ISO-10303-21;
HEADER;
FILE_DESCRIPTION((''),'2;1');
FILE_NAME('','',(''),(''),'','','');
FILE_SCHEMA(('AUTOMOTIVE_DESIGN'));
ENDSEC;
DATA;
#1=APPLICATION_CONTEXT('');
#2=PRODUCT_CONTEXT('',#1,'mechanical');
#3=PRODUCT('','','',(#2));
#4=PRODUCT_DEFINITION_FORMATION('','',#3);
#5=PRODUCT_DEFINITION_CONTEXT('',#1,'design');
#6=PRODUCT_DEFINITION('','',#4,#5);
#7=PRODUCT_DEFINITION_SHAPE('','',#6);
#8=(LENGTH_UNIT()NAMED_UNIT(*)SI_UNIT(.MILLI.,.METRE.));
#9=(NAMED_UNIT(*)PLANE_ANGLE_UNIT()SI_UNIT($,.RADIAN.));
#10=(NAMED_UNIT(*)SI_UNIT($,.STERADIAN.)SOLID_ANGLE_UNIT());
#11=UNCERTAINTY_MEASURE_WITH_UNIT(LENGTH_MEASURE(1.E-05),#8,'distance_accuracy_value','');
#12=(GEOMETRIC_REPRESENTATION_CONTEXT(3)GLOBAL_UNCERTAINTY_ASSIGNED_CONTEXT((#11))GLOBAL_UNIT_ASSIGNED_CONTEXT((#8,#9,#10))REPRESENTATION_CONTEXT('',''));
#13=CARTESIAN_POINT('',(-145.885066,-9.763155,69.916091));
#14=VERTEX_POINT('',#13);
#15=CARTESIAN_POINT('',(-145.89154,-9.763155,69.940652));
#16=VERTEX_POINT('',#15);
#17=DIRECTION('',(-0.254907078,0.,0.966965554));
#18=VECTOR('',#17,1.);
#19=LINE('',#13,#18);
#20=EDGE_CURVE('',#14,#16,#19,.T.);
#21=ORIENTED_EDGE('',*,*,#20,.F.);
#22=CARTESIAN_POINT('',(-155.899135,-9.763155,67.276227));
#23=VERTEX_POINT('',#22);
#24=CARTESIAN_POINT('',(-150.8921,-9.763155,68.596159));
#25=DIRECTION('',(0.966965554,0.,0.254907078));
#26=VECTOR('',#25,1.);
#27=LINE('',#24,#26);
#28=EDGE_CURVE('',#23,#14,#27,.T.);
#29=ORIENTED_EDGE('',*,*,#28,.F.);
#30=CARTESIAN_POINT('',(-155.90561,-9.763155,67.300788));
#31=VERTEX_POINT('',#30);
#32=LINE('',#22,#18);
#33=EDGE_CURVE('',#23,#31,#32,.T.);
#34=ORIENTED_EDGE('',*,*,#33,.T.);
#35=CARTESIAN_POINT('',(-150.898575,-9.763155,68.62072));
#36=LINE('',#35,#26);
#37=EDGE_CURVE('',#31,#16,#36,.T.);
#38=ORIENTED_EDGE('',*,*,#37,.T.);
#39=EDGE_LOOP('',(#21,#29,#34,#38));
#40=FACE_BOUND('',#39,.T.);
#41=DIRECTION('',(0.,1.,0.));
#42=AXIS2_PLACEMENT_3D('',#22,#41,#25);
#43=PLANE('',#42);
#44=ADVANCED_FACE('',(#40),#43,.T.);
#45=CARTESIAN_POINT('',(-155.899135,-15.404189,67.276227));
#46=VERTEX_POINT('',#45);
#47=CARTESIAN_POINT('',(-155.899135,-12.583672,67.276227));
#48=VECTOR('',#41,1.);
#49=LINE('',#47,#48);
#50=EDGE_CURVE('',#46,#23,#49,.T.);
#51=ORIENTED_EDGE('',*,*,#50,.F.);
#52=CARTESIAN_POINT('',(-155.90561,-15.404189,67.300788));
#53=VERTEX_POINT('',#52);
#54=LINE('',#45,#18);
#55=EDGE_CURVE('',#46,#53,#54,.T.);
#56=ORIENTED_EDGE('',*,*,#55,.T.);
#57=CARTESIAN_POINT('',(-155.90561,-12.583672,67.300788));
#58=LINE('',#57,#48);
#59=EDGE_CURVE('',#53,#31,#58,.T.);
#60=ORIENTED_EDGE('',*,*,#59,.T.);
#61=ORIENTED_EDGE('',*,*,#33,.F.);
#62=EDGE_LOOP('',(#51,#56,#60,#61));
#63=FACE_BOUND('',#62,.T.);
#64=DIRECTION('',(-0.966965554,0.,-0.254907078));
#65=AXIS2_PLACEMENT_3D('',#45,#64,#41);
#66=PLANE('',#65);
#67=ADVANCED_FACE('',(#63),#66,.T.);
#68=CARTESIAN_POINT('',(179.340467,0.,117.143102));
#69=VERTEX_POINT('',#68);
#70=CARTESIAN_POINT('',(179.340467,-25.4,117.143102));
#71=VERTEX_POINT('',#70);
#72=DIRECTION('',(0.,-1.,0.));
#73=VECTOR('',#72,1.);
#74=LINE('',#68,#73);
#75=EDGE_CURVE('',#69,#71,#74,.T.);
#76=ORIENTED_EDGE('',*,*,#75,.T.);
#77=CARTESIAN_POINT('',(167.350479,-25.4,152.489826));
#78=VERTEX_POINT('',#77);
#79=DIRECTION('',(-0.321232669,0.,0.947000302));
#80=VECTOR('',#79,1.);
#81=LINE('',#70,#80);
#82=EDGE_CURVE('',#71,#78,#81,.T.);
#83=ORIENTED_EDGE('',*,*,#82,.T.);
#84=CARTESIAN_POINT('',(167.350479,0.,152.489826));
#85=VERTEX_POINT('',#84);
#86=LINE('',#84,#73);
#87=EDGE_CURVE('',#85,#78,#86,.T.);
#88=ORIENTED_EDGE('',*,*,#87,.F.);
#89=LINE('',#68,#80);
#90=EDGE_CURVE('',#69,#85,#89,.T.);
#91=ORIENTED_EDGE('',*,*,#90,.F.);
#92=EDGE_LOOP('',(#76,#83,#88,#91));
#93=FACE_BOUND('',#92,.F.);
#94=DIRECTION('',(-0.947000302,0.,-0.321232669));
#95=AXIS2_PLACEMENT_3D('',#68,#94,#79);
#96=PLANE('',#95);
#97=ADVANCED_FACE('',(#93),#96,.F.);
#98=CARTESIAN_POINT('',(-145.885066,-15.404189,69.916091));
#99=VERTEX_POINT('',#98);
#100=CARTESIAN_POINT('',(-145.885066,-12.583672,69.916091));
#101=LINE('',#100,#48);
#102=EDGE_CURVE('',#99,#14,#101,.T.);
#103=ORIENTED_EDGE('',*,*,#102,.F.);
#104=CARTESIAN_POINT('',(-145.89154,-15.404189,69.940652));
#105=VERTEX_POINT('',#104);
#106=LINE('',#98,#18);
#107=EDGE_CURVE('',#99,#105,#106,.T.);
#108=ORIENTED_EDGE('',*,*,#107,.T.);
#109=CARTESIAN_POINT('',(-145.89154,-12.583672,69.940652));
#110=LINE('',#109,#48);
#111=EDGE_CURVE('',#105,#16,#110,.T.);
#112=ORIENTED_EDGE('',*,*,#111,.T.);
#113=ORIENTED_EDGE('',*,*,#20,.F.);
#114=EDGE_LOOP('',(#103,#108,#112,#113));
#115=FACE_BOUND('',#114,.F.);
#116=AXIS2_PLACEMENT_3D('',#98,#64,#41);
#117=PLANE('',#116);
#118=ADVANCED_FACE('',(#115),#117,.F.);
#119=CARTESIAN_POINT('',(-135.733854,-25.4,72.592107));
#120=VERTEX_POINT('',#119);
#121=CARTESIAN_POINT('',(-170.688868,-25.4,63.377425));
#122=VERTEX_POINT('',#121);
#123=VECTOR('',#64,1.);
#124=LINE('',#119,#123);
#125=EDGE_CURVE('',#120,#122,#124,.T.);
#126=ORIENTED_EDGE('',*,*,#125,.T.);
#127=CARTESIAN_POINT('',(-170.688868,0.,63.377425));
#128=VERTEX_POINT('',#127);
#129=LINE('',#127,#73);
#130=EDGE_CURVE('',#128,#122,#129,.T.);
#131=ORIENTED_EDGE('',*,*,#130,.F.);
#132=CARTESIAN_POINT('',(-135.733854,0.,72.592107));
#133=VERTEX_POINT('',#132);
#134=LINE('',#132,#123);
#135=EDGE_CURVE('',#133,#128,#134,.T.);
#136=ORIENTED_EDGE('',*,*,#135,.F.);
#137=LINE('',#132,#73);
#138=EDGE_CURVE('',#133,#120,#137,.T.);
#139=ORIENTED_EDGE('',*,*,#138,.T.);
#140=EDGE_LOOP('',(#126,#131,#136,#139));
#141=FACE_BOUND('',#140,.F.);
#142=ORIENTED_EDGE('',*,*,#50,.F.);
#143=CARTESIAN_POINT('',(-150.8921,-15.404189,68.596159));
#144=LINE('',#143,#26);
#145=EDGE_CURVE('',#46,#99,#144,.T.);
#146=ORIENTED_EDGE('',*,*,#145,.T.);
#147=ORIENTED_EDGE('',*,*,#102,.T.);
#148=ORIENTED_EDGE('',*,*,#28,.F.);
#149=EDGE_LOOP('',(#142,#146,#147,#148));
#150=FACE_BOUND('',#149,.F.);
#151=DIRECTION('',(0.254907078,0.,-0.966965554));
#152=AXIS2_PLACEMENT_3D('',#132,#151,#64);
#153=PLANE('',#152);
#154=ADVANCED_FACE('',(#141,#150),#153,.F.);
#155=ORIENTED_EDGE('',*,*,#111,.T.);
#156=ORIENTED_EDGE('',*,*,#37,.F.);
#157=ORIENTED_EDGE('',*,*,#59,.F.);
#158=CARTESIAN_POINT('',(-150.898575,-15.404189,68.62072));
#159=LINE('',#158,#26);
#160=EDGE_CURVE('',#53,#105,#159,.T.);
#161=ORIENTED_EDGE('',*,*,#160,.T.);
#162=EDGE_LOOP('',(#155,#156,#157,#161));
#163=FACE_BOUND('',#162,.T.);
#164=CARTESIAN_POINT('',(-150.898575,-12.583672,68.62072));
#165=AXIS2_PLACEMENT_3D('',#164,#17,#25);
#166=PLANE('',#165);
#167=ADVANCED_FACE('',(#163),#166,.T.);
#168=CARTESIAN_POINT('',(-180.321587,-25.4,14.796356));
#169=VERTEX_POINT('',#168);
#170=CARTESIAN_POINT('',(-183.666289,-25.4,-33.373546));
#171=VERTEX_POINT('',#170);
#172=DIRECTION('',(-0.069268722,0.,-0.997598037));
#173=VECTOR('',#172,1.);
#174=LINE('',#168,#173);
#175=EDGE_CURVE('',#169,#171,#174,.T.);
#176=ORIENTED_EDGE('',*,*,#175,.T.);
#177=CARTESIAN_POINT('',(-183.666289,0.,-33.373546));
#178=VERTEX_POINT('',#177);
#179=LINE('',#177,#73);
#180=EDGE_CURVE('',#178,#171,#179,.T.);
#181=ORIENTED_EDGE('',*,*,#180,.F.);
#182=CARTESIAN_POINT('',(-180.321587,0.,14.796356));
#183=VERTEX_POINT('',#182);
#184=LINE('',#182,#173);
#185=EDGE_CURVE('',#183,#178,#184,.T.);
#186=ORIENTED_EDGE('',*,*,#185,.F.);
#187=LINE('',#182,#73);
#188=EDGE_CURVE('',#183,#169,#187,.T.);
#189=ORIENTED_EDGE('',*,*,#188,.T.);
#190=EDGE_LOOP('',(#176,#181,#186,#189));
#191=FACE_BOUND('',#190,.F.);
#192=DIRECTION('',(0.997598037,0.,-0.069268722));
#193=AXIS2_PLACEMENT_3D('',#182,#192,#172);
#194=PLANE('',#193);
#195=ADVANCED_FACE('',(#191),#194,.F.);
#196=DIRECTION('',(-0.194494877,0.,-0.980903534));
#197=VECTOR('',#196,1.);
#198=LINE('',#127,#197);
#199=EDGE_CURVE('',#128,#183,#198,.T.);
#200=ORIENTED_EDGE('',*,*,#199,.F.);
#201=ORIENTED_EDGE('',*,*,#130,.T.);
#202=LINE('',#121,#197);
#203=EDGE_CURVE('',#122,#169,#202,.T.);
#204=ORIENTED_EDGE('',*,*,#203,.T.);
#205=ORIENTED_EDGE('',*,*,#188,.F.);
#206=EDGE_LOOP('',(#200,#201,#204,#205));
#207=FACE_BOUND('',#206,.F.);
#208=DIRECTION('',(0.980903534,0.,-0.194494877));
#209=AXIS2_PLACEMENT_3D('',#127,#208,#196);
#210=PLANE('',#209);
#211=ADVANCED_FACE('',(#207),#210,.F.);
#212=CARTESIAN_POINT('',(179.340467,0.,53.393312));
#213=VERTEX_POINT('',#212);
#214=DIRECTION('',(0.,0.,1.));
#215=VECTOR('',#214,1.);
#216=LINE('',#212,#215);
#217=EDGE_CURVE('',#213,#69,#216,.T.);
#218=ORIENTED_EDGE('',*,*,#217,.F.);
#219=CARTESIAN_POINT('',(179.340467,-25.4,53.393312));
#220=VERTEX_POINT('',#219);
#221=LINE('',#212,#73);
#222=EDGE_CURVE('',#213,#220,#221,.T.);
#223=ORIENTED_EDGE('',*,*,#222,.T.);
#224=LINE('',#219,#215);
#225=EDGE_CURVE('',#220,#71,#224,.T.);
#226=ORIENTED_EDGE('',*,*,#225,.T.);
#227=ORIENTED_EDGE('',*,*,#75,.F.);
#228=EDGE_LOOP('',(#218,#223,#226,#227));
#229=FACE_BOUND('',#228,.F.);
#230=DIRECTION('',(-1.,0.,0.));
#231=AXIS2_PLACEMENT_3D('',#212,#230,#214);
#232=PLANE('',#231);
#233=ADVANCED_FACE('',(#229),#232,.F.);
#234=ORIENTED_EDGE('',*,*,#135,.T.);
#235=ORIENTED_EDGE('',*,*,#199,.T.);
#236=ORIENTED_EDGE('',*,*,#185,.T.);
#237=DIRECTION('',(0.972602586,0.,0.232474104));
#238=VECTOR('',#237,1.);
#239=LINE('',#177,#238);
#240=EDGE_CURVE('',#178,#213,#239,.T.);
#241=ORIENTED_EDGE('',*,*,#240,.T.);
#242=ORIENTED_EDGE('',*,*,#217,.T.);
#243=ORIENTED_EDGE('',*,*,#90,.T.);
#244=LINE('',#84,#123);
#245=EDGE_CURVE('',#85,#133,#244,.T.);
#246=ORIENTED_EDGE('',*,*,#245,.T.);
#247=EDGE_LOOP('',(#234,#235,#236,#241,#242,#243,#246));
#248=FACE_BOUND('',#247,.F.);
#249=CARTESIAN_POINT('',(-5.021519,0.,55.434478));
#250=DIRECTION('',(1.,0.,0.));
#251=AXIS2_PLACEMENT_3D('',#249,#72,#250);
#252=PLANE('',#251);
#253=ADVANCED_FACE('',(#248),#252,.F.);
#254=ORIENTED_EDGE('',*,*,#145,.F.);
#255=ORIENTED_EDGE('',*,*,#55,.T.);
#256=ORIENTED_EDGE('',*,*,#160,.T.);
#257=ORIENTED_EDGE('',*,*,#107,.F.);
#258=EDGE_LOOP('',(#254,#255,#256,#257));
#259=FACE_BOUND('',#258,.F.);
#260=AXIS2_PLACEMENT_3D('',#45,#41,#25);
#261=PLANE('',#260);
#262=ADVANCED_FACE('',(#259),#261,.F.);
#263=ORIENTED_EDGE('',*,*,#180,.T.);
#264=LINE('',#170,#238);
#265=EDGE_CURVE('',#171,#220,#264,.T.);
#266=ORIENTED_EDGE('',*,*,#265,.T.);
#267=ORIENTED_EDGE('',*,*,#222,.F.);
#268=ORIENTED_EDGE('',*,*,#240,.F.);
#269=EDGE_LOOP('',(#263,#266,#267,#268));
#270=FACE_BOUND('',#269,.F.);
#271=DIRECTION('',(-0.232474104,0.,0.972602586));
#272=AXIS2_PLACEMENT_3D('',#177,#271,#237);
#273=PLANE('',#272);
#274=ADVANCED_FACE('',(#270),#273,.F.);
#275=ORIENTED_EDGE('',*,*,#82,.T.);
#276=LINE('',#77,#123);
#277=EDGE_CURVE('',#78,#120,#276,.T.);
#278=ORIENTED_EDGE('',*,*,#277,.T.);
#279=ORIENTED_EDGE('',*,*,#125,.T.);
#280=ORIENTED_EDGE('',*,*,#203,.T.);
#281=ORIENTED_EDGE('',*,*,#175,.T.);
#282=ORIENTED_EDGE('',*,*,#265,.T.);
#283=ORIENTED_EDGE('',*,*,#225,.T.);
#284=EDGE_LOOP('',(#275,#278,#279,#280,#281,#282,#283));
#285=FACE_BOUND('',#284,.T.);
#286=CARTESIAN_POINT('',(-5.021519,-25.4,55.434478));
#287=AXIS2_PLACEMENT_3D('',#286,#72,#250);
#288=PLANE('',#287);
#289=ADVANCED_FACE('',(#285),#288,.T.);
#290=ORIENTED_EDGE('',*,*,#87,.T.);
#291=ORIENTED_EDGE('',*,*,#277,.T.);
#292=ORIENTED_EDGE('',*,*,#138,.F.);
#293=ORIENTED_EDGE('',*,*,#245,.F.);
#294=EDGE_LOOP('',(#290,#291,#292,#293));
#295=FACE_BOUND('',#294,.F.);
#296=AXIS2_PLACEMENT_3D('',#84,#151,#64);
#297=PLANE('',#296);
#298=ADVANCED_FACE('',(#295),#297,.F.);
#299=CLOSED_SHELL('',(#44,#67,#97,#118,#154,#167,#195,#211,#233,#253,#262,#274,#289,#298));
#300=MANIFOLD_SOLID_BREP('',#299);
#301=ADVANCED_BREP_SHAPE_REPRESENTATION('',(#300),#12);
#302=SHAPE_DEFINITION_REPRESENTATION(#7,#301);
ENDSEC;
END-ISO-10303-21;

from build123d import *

# Parameters (mm, degrees)
F1_DEPTH = 25.4
F2_W     = 10.3561803699
F2_H     = 5.641033873
F3_DEPTH = 0.0254


with BuildPart() as f1:
    # F0 (on Front) → F1 (new body)
    with BuildSketch(Plane.XZ):
        Polygon((-180.321587468, 14.7963562756), (-183.6662888527, -33.3735458553), (179.340466857, 53.3933117986), (179.340466857, 117.1431019902), (131.396189332, 143.0117189884), (-135.7338540163, 72.5921073616), (-170.688867569, 63.3774250746), align=None)
        Polygon((131.396189332, 143.0117189884), (179.340466857, 117.1431019902), (167.3504786853, 152.4898258342), align=None)
    extrude(amount=F1_DEPTH)

    # F2 (on face) → F3 (join)
    with BuildSketch(Plane(origin=(-26.7126271231, 0, 101.331789206), x_dir=(0.9669655535, 0, 0.2549070778), z_dir=(-0.2549070778, 0, 0.9669655535))):
        with Locations((-128.4218169749, -12.583672069)):
            Rectangle(F2_W, F2_H)
    extrude(amount=F3_DEPTH)


solid = f1.part
